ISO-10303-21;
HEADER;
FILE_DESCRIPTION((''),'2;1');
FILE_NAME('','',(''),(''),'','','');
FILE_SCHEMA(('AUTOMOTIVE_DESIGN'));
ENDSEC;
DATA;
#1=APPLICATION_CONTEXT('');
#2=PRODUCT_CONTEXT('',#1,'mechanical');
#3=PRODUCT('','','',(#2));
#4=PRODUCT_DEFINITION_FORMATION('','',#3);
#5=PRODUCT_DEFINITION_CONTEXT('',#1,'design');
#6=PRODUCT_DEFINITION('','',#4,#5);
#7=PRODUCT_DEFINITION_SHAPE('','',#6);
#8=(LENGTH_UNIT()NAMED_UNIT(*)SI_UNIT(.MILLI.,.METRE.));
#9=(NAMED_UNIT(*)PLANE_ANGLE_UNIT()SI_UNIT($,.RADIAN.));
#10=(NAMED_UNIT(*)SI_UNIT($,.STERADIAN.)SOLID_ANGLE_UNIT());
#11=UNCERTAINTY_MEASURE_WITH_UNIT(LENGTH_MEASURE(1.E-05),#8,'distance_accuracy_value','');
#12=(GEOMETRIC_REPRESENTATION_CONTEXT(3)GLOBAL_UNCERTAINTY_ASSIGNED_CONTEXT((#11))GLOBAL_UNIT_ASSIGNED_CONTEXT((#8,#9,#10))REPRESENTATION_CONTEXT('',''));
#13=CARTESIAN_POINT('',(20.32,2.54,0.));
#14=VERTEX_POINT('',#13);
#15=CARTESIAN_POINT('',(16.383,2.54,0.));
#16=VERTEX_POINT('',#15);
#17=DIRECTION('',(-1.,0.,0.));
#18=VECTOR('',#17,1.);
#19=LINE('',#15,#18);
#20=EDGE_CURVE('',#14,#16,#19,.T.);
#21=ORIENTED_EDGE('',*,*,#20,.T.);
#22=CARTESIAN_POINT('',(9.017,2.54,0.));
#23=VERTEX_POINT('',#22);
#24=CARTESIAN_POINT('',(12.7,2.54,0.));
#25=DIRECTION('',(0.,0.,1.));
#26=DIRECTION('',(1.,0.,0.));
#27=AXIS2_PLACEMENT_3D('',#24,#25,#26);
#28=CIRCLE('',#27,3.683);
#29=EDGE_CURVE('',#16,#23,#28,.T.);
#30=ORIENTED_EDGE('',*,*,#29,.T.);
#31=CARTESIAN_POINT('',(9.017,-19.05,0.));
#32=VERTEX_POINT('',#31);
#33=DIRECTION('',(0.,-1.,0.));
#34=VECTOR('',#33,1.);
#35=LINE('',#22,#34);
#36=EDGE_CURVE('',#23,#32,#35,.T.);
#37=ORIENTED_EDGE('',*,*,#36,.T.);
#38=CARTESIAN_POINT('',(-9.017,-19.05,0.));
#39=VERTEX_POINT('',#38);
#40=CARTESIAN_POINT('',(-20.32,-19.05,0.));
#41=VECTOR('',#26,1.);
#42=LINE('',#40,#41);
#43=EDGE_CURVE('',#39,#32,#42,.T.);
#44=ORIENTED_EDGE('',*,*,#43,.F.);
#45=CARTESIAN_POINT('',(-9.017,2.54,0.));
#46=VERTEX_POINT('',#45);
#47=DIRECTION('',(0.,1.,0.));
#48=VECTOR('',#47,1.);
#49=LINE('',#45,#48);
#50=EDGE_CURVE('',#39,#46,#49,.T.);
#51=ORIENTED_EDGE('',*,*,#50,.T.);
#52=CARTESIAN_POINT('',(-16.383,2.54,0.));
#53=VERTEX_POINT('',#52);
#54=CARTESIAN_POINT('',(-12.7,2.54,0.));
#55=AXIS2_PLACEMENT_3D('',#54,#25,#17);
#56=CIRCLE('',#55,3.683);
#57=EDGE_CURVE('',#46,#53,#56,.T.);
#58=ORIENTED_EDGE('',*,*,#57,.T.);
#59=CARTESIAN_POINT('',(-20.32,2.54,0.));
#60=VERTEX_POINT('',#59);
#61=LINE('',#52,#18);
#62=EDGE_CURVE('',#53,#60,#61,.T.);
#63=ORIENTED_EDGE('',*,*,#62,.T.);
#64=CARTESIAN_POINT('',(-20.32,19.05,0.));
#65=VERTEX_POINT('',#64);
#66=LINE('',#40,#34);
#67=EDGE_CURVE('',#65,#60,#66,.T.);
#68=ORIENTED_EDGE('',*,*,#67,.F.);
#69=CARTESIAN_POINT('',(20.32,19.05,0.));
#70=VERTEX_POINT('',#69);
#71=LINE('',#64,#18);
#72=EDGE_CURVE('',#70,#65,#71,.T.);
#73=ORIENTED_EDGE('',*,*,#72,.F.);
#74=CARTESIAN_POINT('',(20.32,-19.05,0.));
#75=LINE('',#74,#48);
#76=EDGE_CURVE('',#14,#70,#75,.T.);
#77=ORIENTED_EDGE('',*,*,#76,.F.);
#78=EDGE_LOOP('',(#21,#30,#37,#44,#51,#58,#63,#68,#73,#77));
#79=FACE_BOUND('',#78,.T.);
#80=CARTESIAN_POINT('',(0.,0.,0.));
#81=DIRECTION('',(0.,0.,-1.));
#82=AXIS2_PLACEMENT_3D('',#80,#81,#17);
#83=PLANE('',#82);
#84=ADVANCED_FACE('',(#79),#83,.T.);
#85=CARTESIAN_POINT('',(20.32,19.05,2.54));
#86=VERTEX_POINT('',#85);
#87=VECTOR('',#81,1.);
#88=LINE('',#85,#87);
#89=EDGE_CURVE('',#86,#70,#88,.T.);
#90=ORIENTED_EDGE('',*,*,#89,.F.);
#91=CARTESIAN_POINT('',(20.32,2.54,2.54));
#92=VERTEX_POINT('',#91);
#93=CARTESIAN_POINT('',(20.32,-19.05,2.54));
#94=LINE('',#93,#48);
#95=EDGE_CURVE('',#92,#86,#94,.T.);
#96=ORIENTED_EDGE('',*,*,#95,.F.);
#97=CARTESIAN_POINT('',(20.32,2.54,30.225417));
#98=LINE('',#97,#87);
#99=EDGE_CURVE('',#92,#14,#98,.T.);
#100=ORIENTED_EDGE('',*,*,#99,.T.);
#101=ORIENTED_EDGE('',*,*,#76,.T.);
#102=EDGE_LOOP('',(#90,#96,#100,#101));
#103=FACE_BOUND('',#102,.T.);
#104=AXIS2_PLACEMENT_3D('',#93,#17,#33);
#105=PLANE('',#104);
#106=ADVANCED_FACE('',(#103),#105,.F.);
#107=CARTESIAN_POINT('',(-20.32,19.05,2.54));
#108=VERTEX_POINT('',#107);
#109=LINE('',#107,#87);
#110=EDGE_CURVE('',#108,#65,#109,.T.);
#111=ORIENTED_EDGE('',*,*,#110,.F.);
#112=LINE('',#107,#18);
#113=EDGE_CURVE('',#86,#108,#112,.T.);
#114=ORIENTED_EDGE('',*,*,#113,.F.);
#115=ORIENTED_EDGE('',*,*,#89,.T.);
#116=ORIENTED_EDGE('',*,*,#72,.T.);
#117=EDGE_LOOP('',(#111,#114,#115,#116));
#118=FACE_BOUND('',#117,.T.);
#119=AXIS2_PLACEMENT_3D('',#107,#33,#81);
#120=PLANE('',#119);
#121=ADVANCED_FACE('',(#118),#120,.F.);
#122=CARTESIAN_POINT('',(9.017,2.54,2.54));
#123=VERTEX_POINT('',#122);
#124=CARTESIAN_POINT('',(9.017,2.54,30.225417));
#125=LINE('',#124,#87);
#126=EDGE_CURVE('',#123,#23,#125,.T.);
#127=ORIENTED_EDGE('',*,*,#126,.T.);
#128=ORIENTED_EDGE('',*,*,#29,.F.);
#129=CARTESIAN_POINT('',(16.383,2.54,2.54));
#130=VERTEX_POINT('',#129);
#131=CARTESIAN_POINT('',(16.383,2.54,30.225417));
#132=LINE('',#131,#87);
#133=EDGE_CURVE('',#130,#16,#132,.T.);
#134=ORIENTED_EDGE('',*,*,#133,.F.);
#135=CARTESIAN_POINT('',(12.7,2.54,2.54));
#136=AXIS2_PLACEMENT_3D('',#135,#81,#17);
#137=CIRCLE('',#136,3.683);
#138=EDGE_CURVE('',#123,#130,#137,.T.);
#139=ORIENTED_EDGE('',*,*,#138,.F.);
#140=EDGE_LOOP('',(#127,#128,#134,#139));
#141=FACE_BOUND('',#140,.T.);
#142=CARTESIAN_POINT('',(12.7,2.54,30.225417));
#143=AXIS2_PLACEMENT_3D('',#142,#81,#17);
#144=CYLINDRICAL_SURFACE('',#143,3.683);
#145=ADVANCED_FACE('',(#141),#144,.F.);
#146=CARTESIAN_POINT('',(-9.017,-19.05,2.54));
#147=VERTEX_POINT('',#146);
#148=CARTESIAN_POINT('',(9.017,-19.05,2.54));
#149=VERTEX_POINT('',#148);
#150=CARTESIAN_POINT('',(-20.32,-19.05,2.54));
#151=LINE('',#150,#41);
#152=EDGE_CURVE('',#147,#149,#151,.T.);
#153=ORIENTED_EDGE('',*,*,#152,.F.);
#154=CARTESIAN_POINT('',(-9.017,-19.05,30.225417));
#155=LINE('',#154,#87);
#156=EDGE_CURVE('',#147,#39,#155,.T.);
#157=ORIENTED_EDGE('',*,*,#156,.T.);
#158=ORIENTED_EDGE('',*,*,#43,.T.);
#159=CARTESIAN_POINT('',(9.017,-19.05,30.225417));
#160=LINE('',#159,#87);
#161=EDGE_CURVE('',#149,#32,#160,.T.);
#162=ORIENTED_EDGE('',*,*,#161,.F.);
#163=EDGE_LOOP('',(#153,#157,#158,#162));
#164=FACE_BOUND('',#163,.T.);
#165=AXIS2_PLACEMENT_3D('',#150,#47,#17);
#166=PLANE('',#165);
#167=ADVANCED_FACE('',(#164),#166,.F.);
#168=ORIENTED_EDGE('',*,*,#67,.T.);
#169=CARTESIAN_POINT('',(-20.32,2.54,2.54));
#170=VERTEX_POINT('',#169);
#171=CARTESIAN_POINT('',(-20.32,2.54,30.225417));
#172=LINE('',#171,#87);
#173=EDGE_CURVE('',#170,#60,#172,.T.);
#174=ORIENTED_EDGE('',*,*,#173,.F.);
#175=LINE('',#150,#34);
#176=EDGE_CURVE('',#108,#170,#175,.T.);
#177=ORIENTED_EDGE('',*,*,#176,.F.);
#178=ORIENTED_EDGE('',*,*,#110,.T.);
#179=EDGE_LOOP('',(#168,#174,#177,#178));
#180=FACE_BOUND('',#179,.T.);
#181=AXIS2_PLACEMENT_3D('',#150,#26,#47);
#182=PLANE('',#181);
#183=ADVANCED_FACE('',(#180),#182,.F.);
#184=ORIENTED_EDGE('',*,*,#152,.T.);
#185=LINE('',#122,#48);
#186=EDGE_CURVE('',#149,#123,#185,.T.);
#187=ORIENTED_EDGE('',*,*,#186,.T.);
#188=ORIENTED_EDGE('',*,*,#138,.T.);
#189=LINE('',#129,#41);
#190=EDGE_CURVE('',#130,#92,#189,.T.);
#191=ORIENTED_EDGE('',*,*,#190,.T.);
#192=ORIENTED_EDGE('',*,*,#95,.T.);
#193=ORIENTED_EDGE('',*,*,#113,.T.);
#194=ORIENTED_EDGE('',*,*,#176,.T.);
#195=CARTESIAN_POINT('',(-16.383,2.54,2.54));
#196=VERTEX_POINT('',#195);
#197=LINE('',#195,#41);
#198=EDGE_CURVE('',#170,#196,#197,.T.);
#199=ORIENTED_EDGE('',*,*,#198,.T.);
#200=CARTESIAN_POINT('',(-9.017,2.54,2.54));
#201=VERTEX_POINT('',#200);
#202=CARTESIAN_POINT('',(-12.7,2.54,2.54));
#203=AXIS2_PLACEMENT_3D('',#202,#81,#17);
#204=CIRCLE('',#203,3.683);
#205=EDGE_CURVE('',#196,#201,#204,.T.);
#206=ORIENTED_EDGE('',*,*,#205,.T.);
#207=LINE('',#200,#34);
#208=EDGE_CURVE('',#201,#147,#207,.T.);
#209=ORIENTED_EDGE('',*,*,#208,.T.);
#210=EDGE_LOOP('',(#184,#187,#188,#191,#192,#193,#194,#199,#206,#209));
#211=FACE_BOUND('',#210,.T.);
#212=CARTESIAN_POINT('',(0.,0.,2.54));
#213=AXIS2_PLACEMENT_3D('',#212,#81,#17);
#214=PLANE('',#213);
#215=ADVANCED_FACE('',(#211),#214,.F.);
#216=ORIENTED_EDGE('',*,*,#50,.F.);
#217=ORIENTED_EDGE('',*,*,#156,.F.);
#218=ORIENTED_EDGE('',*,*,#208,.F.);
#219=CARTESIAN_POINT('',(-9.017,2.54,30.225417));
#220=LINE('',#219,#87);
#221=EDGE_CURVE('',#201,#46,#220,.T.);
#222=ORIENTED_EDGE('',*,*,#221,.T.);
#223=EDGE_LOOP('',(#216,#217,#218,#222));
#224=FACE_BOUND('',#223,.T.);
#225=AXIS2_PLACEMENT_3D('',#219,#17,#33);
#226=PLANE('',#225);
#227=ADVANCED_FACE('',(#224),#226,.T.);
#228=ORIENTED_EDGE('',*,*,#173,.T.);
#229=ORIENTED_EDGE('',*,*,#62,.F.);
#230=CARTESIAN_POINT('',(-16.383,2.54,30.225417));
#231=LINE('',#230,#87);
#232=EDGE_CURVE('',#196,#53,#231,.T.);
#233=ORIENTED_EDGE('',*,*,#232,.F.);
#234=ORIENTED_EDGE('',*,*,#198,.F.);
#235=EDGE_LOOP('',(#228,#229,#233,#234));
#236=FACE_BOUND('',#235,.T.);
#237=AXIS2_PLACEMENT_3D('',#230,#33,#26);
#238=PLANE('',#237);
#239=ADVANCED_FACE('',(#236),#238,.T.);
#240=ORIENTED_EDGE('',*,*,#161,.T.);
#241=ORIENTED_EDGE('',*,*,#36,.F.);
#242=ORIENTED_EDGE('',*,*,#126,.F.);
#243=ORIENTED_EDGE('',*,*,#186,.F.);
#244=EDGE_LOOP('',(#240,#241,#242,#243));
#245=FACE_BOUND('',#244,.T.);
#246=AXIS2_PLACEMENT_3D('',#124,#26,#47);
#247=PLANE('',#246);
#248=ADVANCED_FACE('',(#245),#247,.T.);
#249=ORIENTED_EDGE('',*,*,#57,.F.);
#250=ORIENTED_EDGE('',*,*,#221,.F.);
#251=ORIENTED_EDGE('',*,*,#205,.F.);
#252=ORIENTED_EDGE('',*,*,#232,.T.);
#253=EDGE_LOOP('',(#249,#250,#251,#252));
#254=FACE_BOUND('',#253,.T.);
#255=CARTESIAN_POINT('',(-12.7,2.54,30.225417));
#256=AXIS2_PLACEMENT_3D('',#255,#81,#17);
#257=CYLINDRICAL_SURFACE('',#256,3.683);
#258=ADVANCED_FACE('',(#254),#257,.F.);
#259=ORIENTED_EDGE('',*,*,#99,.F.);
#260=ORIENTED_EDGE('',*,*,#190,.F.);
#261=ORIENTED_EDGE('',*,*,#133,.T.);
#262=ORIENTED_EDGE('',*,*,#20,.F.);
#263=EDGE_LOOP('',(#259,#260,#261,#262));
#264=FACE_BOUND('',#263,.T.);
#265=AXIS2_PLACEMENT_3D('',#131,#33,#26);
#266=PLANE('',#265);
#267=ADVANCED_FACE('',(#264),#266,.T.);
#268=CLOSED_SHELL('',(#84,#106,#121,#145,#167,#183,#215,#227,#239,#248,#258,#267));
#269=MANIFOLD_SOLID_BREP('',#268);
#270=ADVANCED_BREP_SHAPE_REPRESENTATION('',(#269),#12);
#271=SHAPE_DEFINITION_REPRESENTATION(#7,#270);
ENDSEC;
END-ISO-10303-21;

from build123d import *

# Parameters (mm, degrees)
SKETCH1_W           = 40.64
SKETCH1_H           = 38.1
SKETCH1_R           = 3.175
BOSS_EXTRUDE1_DEPTH = 2.54
CUT_EXTRUDE1_DEPTH  = 2.54


with BuildPart() as part:
    # Sketch1 → Boss-Extrude1 (new body)
    with BuildSketch(Plane.XY):
        Rectangle(SKETCH1_W, SKETCH1_H)
        with Locations((12.7, 2.54)):
            Circle(SKETCH1_R, mode=Mode.SUBTRACT)
        with Locations(Location((-12.7, 2.54, 0), (0, 0, 180))):
            Circle(SKETCH1_R, mode=Mode.SUBTRACT)
    extrude(amount=BOSS_EXTRUDE1_DEPTH)

    # Sketch2 → Cut-Extrude1 (cut)
    with BuildSketch(Plane.XY):
        with BuildLine():
            Line((9.017, 2.54), (9.017, -19.05))
            Line((9.017, -19.05), (20.32, -19.05))
            Line((20.32, -19.05), (20.32, 2.54))
            Line((20.32, 2.54), (16.383, 2.54))
            ThreePointArc((16.383, 2.54), (12.7, 6.223), (9.017, 2.54))
        make_face()
        with BuildLine():
            Line((-9.017, 2.54), (-9.017, -19.05))
            Line((-9.017, -19.05), (-20.32, -19.05))
            Line((-20.32, -19.05), (-20.32, 2.54))
            Line((-20.32, 2.54), (-16.383, 2.54))
            ThreePointArc((-16.383, 2.54), (-12.7, 6.223), (-9.017, 2.54))
        make_face()
    extrude(amount=CUT_EXTRUDE1_DEPTH, mode=Mode.SUBTRACT)


solid = part.part
